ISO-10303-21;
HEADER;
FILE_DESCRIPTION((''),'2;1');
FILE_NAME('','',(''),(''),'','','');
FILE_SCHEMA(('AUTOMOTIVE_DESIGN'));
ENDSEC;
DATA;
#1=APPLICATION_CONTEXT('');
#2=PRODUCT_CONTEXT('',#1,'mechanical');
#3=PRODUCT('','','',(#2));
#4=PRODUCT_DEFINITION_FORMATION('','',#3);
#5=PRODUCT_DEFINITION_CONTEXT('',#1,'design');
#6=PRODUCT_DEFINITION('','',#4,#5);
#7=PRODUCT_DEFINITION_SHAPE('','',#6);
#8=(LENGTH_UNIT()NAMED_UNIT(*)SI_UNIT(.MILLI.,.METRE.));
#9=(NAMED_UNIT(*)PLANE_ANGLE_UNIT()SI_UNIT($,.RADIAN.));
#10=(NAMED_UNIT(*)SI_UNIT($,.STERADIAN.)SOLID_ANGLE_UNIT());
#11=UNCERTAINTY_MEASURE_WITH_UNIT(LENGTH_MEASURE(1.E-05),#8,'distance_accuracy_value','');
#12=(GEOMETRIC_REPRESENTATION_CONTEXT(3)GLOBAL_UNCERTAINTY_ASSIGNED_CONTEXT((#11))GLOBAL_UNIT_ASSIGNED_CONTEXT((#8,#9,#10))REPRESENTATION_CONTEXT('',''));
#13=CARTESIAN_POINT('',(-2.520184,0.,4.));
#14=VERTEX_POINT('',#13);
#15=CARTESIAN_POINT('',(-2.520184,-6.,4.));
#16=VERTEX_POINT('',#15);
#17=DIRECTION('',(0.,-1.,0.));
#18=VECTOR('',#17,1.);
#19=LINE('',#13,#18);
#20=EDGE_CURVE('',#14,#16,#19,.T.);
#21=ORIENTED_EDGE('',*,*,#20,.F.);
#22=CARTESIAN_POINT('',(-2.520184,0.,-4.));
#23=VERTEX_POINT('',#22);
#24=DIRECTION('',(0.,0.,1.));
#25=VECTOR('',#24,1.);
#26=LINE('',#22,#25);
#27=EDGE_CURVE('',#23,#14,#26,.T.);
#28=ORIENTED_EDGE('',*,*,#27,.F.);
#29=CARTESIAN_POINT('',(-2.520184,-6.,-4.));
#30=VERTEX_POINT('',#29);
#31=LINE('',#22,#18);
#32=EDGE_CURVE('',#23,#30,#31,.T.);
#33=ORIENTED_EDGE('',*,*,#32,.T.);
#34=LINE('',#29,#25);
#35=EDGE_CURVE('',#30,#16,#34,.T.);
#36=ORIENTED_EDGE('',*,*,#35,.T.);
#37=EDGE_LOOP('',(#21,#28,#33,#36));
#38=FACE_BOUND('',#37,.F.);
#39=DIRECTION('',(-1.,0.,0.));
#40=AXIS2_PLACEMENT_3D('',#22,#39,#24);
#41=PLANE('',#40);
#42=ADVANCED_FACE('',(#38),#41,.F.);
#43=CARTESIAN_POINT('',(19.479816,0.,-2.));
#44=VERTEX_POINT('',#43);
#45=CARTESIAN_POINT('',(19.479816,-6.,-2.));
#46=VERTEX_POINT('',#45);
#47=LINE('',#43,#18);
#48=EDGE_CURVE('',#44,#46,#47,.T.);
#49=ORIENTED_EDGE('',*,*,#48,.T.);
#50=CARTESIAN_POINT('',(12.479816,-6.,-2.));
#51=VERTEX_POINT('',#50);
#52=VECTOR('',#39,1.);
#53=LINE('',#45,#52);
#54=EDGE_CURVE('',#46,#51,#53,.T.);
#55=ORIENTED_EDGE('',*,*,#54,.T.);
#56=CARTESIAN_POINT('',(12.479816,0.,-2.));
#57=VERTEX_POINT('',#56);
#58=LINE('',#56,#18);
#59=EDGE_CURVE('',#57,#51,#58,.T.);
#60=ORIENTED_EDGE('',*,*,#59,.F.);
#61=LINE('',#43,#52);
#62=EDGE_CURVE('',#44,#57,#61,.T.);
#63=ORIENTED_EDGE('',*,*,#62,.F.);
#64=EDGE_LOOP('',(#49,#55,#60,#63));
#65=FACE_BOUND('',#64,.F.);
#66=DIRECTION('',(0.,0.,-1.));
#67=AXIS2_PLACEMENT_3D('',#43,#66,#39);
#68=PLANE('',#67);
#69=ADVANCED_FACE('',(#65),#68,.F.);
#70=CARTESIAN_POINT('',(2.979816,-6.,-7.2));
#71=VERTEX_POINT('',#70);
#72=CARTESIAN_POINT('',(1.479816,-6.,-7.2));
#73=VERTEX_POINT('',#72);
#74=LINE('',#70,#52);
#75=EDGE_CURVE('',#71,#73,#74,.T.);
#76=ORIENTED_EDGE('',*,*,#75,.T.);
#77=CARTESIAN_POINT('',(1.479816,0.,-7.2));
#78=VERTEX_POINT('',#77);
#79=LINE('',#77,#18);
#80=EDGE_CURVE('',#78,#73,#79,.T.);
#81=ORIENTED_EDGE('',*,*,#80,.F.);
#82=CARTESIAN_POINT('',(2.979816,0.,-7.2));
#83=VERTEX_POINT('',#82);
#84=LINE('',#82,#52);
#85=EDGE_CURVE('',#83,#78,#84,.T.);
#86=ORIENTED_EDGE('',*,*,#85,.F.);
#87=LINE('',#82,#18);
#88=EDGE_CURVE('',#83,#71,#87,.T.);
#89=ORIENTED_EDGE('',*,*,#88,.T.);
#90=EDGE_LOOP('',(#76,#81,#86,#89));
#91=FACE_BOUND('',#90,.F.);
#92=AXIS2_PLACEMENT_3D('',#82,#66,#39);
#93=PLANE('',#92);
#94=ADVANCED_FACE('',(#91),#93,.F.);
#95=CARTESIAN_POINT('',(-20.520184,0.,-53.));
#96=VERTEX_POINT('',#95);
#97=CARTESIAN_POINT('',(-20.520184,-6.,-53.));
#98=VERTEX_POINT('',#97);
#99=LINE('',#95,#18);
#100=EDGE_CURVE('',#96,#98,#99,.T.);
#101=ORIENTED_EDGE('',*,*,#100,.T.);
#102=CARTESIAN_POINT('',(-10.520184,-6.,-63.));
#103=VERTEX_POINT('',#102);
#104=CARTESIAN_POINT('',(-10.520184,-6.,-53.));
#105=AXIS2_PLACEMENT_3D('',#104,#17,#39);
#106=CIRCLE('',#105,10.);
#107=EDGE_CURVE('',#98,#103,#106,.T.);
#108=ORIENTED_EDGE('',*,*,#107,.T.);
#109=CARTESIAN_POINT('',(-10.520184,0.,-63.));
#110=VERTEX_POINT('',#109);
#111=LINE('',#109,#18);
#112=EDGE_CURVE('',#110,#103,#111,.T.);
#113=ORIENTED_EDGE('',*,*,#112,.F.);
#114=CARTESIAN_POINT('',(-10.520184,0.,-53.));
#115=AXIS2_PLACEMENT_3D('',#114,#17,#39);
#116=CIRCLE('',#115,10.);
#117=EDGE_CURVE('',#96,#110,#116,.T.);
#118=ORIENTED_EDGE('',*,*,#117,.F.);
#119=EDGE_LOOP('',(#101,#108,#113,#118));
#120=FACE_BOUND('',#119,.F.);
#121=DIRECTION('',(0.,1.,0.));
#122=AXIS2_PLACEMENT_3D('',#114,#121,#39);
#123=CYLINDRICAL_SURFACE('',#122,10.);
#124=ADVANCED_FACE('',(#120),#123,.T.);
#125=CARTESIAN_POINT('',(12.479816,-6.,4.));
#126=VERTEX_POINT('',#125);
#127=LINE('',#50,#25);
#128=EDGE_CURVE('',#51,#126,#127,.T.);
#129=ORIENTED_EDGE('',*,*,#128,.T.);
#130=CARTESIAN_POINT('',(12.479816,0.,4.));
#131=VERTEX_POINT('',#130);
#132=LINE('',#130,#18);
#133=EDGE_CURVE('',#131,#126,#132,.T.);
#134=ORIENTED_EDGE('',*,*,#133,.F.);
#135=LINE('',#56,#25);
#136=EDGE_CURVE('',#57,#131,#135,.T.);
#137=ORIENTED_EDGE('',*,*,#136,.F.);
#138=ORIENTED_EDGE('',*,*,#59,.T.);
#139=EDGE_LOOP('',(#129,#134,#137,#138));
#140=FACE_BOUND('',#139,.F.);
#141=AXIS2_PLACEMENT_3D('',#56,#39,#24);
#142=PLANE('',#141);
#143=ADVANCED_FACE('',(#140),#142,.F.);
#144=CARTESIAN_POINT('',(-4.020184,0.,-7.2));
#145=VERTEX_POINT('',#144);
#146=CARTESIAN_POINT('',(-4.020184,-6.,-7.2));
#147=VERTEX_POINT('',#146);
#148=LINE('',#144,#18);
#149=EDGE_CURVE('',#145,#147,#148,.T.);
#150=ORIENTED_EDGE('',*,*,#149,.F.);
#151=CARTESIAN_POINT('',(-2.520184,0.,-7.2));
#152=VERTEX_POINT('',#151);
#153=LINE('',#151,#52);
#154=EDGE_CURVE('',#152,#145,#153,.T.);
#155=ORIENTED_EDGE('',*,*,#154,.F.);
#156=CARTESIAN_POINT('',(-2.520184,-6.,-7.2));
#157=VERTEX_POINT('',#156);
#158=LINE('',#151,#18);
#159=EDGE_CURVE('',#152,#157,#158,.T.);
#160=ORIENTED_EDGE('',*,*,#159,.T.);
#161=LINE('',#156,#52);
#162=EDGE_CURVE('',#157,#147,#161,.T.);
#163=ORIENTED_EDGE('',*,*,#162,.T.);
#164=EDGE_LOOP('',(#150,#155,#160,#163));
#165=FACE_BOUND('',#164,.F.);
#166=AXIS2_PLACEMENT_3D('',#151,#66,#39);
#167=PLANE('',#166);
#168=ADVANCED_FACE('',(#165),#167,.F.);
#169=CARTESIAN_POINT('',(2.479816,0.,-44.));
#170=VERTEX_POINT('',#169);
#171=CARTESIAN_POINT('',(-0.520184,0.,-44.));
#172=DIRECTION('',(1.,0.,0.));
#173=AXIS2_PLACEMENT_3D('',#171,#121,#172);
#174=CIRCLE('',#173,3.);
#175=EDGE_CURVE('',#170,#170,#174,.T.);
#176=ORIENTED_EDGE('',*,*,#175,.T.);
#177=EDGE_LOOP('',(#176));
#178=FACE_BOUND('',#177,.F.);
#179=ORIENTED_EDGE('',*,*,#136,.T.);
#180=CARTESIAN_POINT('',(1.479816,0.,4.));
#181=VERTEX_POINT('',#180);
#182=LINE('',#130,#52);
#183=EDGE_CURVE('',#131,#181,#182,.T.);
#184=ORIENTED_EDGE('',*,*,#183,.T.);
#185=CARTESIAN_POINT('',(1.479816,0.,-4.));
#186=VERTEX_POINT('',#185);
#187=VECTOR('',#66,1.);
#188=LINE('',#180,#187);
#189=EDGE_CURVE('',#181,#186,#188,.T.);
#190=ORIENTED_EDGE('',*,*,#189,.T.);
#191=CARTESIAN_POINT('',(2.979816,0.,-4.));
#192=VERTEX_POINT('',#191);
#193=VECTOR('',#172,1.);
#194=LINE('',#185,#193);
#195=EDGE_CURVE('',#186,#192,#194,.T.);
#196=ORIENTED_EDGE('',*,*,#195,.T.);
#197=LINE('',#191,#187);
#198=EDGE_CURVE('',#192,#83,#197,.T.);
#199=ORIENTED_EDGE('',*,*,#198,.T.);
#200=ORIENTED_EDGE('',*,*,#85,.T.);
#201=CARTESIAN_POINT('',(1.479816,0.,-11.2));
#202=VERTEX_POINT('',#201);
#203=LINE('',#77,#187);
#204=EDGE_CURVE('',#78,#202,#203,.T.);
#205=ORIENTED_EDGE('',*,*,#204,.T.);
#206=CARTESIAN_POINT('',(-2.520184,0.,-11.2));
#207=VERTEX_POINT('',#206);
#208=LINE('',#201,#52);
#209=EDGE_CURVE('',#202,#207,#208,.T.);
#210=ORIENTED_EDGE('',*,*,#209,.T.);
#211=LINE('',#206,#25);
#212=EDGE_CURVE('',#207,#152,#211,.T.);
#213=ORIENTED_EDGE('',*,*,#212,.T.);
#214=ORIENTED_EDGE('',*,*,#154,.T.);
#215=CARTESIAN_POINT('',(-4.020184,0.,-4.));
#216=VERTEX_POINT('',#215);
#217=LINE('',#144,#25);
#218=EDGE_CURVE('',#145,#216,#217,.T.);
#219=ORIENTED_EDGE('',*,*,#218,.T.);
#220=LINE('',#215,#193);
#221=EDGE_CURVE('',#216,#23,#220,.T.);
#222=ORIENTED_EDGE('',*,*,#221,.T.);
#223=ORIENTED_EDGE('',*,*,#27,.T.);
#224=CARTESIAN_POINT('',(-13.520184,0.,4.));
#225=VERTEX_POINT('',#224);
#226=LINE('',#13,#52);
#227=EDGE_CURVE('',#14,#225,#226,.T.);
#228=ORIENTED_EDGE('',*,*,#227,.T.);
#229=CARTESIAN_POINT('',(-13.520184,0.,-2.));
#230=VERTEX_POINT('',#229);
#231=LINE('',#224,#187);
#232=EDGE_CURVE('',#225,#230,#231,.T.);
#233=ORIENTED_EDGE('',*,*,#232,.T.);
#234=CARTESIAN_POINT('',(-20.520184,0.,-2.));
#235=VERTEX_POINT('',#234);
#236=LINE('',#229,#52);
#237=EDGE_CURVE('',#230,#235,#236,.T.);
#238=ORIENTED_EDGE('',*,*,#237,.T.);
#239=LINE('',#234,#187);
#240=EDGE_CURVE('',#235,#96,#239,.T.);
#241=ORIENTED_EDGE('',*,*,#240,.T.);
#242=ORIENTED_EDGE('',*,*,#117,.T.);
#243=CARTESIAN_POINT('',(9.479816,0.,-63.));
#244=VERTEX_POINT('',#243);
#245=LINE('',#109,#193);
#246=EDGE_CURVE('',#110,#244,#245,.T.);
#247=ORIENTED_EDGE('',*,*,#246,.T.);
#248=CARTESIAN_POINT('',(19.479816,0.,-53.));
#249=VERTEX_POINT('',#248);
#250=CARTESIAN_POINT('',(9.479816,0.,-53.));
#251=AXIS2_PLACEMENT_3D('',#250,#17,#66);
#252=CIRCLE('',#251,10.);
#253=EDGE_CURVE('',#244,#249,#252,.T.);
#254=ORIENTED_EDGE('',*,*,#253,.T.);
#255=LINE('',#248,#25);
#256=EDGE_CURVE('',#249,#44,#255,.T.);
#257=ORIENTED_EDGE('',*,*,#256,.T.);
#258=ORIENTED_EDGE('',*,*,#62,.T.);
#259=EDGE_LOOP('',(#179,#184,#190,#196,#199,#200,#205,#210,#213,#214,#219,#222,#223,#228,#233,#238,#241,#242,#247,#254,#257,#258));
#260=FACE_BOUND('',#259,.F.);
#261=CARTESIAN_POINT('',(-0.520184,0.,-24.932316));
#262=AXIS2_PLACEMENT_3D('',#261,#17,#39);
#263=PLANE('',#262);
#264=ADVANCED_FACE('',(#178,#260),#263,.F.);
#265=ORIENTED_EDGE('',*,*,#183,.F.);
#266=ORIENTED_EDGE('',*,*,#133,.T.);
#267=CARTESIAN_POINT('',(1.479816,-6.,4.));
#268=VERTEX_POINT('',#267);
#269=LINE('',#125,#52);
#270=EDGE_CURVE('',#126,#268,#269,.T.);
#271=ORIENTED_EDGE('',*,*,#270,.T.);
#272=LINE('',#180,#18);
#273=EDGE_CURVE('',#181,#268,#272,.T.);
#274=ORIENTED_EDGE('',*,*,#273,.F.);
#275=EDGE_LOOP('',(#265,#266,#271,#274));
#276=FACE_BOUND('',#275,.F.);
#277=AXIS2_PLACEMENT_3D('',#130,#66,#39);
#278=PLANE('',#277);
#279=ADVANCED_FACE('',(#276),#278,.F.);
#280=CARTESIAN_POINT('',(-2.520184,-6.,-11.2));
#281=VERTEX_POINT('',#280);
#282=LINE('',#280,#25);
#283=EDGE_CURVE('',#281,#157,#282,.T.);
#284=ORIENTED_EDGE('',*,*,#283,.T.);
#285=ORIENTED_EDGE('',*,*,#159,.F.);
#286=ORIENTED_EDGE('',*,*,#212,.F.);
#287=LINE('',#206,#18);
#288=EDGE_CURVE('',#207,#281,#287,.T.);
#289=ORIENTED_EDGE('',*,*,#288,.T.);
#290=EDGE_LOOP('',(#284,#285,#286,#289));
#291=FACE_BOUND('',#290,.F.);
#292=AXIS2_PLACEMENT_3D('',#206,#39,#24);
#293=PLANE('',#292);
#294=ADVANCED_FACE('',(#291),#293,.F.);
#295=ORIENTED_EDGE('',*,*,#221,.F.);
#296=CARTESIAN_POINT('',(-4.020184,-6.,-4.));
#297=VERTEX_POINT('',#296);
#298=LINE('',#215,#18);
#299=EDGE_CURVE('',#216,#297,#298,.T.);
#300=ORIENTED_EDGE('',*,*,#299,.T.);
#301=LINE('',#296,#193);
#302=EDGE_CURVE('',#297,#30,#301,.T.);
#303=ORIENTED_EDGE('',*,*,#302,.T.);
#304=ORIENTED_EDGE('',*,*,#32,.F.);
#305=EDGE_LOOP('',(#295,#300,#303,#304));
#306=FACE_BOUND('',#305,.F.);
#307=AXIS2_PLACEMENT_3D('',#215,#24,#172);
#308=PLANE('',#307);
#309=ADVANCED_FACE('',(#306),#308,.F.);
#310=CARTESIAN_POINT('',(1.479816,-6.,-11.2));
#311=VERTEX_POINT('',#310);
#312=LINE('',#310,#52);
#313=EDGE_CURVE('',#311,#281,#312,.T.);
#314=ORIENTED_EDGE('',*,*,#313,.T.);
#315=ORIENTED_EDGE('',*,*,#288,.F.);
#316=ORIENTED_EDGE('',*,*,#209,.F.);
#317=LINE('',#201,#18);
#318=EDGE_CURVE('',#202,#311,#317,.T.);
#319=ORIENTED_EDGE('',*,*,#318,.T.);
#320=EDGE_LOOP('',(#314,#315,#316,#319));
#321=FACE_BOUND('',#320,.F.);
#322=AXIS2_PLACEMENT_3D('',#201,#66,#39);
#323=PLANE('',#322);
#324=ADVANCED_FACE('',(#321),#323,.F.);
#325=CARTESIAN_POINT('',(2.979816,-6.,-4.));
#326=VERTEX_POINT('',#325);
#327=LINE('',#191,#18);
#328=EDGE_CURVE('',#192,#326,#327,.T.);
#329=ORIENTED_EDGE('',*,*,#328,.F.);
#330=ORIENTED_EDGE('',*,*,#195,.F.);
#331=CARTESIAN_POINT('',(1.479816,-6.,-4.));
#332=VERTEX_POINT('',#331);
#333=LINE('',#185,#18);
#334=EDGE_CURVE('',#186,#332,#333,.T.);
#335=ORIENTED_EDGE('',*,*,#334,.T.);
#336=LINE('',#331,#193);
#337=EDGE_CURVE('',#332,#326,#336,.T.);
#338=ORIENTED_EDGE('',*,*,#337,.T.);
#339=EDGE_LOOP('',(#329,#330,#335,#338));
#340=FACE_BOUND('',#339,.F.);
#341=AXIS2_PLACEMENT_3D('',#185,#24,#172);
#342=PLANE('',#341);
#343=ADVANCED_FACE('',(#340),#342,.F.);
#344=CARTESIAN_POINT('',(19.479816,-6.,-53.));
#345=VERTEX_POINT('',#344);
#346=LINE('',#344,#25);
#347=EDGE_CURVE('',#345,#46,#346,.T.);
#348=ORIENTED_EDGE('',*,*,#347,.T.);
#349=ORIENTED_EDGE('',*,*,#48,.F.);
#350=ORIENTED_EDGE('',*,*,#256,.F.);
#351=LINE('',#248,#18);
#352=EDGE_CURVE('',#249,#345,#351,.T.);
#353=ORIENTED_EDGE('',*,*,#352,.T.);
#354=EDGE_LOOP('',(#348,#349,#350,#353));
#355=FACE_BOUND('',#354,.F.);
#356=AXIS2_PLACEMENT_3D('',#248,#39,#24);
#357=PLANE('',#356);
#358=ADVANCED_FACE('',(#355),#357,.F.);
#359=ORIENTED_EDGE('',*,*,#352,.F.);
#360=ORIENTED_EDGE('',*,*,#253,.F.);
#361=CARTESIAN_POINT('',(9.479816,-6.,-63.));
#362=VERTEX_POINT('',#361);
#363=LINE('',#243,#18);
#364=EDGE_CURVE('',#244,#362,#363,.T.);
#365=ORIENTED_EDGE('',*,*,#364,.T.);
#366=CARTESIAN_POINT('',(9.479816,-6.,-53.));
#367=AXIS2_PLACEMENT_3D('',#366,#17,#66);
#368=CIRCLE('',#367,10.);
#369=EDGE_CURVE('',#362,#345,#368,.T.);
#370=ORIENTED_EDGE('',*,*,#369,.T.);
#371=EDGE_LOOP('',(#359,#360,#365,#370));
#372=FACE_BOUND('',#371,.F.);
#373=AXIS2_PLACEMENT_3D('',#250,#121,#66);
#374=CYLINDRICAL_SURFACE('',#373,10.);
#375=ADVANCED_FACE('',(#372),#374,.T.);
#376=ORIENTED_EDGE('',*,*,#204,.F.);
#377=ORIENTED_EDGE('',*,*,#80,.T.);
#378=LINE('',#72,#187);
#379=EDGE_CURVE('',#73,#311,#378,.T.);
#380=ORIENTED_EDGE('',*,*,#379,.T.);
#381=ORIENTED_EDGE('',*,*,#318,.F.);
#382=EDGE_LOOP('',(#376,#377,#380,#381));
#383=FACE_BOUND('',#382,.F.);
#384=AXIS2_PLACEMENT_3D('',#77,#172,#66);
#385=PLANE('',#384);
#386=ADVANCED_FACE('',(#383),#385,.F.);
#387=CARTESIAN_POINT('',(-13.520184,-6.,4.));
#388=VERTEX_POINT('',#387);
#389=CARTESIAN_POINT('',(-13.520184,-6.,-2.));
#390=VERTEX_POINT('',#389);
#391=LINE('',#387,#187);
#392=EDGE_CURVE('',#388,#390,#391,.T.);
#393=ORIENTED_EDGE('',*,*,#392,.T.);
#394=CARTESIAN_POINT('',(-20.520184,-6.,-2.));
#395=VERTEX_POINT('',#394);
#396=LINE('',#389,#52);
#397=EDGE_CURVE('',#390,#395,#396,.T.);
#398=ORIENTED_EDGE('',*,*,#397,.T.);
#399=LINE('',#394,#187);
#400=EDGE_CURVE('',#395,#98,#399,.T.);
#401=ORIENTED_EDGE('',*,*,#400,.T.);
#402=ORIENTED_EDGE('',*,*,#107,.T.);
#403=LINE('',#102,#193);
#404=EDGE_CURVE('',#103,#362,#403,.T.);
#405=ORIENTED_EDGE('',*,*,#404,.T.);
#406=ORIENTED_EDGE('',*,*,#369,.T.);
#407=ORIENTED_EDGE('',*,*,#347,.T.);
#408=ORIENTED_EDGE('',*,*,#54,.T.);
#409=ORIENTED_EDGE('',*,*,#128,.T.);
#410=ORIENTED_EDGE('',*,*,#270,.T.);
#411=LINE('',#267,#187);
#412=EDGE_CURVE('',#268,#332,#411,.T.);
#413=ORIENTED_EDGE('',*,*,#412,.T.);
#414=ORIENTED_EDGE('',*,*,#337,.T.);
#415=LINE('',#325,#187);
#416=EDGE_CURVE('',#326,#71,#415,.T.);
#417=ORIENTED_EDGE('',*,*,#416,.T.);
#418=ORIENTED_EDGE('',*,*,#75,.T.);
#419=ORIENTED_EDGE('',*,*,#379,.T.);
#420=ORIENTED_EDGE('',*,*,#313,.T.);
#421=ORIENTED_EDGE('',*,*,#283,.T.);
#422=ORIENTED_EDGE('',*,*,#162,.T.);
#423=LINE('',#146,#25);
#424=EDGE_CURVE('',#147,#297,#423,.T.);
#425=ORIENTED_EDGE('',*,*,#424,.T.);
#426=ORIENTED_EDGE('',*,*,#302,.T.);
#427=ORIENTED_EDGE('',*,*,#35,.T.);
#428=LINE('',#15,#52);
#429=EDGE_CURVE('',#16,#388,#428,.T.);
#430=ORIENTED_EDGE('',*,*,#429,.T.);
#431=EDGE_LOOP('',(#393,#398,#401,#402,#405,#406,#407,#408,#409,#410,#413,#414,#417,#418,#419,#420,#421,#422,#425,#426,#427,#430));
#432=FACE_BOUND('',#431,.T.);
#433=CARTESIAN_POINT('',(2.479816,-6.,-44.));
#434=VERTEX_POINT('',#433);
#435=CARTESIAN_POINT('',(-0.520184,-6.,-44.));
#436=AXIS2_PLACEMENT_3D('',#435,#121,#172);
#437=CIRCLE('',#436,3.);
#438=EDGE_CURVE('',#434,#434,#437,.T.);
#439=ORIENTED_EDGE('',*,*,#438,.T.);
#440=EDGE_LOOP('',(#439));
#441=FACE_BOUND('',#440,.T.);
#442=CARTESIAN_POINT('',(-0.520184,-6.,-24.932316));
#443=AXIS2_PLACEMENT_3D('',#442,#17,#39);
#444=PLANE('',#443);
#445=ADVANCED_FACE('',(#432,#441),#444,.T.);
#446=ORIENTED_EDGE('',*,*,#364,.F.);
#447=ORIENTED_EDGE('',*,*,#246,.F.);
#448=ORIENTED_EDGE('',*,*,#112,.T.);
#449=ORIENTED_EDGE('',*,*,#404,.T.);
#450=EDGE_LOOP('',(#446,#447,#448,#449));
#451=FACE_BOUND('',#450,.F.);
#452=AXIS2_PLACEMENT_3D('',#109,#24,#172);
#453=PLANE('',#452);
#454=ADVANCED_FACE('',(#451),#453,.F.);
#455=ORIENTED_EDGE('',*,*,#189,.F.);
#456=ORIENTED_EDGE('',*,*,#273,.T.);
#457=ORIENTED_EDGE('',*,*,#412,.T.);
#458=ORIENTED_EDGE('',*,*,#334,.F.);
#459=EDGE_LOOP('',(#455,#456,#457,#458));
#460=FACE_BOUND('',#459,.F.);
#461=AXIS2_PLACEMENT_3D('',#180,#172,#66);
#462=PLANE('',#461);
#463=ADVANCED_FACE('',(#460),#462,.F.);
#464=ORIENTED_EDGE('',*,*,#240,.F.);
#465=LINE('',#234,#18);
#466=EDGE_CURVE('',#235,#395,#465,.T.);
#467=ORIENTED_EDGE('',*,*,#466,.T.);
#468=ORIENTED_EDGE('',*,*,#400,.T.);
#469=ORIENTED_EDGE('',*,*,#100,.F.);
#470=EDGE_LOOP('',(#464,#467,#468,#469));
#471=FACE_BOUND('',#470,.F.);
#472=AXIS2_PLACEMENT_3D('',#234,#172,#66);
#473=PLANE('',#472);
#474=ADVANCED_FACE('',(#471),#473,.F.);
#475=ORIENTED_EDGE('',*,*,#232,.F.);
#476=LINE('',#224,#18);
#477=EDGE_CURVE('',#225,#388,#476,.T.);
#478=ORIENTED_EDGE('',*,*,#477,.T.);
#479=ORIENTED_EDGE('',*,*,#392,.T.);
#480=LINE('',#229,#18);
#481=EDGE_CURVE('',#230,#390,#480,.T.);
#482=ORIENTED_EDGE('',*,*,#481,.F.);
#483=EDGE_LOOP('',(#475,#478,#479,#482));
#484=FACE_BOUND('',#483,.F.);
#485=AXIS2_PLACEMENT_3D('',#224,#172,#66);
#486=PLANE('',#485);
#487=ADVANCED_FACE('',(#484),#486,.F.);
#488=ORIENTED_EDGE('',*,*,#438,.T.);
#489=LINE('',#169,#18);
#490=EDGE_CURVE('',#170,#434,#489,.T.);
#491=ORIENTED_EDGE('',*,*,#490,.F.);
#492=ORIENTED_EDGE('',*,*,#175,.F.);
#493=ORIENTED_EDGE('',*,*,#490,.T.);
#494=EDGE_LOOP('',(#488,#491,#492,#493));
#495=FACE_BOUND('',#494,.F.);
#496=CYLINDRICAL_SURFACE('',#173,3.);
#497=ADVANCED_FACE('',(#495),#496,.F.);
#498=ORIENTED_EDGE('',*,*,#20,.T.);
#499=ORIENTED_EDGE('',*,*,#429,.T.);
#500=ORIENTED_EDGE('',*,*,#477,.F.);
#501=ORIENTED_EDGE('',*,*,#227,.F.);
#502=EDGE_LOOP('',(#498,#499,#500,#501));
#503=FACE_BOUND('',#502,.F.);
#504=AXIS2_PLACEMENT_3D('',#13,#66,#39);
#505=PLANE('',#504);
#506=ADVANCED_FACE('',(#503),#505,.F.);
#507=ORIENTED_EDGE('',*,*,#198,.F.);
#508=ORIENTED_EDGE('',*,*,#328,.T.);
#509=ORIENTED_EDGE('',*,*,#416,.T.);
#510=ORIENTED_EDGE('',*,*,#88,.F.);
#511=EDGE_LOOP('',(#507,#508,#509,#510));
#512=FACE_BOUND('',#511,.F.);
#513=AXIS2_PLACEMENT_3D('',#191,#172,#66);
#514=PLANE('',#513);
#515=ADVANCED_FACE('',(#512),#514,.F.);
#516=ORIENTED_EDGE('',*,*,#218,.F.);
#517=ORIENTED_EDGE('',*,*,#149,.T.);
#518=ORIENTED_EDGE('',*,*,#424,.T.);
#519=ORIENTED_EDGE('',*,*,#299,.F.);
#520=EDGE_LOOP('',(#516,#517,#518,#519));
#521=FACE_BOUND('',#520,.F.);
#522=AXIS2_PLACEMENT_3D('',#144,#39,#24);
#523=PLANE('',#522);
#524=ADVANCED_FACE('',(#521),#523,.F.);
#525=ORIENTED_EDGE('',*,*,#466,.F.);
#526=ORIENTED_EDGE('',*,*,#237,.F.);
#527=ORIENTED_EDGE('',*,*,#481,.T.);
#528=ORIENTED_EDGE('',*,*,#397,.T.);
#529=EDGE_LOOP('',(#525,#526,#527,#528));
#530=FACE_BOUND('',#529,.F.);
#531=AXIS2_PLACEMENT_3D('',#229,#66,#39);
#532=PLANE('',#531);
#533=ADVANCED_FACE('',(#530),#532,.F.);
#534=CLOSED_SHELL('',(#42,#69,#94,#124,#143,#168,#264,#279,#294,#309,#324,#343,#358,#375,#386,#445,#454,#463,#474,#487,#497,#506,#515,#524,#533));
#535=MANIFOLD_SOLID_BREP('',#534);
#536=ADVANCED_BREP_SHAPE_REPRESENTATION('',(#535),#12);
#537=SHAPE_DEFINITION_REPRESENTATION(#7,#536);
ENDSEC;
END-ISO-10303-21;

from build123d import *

# Parameters (mm, degrees)
SKETCH1_R           = 3
BOSS_EXTRUDE2_DEPTH = 6


with BuildPart() as part:
    # Sketch1 → Boss-Extrude2 (new body)
    with BuildSketch(Plane(origin=(0, 0, 0), x_dir=(1, 0, 0), z_dir=(0, 1, 0))):
        with BuildLine():
            Line((-10.520184167, 63), (9.479815833, 63))
            ThreePointArc((9.479815833, 63), (16.550883645, 60.071067812), (19.479815833, 53))
            Line((19.479815833, 53), (19.479815833, 2))
            Line((19.479815833, 2), (12.479815833, 2))
            Line((12.479815833, 2), (12.479815833, -4))
            Line((12.479815833, -4), (1.479815833, -4))
            Line((1.479815833, -4), (1.479815833, 4))
            Line((1.479815833, 4), (2.979815833, 4))
            Line((2.979815833, 4), (2.979815833, 7.2))
            Line((2.979815833, 7.2), (1.479815833, 7.2))
            Line((1.479815833, 7.2), (1.479815833, 11.2))
            Line((1.479815833, 11.2), (-2.520184167, 11.2))
            Line((-2.520184167, 11.2), (-2.520184167, 7.2))
            Line((-2.520184167, 7.2), (-4.020184167, 7.2))
            Line((-4.020184167, 7.2), (-4.020184167, 4))
            Line((-4.020184167, 4), (-2.520184167, 4))
            Line((-2.520184167, 4), (-2.520184167, -4))
            Line((-2.520184167, -4), (-13.520184167, -4))
            Line((-13.520184167, -4), (-13.520184167, 2))
            Line((-13.520184167, 2), (-20.520184167, 2))
            Line((-20.520184167, 2), (-20.520184167, 53))
            ThreePointArc((-20.520184167, 53), (-17.591251979, 60.071067812), (-10.520184167, 63))
        make_face()
        with Locations((-0.520184167, 44)):
            Circle(SKETCH1_R, mode=Mode.SUBTRACT)
    extrude(amount=-BOSS_EXTRUDE2_DEPTH)


solid = part.part
